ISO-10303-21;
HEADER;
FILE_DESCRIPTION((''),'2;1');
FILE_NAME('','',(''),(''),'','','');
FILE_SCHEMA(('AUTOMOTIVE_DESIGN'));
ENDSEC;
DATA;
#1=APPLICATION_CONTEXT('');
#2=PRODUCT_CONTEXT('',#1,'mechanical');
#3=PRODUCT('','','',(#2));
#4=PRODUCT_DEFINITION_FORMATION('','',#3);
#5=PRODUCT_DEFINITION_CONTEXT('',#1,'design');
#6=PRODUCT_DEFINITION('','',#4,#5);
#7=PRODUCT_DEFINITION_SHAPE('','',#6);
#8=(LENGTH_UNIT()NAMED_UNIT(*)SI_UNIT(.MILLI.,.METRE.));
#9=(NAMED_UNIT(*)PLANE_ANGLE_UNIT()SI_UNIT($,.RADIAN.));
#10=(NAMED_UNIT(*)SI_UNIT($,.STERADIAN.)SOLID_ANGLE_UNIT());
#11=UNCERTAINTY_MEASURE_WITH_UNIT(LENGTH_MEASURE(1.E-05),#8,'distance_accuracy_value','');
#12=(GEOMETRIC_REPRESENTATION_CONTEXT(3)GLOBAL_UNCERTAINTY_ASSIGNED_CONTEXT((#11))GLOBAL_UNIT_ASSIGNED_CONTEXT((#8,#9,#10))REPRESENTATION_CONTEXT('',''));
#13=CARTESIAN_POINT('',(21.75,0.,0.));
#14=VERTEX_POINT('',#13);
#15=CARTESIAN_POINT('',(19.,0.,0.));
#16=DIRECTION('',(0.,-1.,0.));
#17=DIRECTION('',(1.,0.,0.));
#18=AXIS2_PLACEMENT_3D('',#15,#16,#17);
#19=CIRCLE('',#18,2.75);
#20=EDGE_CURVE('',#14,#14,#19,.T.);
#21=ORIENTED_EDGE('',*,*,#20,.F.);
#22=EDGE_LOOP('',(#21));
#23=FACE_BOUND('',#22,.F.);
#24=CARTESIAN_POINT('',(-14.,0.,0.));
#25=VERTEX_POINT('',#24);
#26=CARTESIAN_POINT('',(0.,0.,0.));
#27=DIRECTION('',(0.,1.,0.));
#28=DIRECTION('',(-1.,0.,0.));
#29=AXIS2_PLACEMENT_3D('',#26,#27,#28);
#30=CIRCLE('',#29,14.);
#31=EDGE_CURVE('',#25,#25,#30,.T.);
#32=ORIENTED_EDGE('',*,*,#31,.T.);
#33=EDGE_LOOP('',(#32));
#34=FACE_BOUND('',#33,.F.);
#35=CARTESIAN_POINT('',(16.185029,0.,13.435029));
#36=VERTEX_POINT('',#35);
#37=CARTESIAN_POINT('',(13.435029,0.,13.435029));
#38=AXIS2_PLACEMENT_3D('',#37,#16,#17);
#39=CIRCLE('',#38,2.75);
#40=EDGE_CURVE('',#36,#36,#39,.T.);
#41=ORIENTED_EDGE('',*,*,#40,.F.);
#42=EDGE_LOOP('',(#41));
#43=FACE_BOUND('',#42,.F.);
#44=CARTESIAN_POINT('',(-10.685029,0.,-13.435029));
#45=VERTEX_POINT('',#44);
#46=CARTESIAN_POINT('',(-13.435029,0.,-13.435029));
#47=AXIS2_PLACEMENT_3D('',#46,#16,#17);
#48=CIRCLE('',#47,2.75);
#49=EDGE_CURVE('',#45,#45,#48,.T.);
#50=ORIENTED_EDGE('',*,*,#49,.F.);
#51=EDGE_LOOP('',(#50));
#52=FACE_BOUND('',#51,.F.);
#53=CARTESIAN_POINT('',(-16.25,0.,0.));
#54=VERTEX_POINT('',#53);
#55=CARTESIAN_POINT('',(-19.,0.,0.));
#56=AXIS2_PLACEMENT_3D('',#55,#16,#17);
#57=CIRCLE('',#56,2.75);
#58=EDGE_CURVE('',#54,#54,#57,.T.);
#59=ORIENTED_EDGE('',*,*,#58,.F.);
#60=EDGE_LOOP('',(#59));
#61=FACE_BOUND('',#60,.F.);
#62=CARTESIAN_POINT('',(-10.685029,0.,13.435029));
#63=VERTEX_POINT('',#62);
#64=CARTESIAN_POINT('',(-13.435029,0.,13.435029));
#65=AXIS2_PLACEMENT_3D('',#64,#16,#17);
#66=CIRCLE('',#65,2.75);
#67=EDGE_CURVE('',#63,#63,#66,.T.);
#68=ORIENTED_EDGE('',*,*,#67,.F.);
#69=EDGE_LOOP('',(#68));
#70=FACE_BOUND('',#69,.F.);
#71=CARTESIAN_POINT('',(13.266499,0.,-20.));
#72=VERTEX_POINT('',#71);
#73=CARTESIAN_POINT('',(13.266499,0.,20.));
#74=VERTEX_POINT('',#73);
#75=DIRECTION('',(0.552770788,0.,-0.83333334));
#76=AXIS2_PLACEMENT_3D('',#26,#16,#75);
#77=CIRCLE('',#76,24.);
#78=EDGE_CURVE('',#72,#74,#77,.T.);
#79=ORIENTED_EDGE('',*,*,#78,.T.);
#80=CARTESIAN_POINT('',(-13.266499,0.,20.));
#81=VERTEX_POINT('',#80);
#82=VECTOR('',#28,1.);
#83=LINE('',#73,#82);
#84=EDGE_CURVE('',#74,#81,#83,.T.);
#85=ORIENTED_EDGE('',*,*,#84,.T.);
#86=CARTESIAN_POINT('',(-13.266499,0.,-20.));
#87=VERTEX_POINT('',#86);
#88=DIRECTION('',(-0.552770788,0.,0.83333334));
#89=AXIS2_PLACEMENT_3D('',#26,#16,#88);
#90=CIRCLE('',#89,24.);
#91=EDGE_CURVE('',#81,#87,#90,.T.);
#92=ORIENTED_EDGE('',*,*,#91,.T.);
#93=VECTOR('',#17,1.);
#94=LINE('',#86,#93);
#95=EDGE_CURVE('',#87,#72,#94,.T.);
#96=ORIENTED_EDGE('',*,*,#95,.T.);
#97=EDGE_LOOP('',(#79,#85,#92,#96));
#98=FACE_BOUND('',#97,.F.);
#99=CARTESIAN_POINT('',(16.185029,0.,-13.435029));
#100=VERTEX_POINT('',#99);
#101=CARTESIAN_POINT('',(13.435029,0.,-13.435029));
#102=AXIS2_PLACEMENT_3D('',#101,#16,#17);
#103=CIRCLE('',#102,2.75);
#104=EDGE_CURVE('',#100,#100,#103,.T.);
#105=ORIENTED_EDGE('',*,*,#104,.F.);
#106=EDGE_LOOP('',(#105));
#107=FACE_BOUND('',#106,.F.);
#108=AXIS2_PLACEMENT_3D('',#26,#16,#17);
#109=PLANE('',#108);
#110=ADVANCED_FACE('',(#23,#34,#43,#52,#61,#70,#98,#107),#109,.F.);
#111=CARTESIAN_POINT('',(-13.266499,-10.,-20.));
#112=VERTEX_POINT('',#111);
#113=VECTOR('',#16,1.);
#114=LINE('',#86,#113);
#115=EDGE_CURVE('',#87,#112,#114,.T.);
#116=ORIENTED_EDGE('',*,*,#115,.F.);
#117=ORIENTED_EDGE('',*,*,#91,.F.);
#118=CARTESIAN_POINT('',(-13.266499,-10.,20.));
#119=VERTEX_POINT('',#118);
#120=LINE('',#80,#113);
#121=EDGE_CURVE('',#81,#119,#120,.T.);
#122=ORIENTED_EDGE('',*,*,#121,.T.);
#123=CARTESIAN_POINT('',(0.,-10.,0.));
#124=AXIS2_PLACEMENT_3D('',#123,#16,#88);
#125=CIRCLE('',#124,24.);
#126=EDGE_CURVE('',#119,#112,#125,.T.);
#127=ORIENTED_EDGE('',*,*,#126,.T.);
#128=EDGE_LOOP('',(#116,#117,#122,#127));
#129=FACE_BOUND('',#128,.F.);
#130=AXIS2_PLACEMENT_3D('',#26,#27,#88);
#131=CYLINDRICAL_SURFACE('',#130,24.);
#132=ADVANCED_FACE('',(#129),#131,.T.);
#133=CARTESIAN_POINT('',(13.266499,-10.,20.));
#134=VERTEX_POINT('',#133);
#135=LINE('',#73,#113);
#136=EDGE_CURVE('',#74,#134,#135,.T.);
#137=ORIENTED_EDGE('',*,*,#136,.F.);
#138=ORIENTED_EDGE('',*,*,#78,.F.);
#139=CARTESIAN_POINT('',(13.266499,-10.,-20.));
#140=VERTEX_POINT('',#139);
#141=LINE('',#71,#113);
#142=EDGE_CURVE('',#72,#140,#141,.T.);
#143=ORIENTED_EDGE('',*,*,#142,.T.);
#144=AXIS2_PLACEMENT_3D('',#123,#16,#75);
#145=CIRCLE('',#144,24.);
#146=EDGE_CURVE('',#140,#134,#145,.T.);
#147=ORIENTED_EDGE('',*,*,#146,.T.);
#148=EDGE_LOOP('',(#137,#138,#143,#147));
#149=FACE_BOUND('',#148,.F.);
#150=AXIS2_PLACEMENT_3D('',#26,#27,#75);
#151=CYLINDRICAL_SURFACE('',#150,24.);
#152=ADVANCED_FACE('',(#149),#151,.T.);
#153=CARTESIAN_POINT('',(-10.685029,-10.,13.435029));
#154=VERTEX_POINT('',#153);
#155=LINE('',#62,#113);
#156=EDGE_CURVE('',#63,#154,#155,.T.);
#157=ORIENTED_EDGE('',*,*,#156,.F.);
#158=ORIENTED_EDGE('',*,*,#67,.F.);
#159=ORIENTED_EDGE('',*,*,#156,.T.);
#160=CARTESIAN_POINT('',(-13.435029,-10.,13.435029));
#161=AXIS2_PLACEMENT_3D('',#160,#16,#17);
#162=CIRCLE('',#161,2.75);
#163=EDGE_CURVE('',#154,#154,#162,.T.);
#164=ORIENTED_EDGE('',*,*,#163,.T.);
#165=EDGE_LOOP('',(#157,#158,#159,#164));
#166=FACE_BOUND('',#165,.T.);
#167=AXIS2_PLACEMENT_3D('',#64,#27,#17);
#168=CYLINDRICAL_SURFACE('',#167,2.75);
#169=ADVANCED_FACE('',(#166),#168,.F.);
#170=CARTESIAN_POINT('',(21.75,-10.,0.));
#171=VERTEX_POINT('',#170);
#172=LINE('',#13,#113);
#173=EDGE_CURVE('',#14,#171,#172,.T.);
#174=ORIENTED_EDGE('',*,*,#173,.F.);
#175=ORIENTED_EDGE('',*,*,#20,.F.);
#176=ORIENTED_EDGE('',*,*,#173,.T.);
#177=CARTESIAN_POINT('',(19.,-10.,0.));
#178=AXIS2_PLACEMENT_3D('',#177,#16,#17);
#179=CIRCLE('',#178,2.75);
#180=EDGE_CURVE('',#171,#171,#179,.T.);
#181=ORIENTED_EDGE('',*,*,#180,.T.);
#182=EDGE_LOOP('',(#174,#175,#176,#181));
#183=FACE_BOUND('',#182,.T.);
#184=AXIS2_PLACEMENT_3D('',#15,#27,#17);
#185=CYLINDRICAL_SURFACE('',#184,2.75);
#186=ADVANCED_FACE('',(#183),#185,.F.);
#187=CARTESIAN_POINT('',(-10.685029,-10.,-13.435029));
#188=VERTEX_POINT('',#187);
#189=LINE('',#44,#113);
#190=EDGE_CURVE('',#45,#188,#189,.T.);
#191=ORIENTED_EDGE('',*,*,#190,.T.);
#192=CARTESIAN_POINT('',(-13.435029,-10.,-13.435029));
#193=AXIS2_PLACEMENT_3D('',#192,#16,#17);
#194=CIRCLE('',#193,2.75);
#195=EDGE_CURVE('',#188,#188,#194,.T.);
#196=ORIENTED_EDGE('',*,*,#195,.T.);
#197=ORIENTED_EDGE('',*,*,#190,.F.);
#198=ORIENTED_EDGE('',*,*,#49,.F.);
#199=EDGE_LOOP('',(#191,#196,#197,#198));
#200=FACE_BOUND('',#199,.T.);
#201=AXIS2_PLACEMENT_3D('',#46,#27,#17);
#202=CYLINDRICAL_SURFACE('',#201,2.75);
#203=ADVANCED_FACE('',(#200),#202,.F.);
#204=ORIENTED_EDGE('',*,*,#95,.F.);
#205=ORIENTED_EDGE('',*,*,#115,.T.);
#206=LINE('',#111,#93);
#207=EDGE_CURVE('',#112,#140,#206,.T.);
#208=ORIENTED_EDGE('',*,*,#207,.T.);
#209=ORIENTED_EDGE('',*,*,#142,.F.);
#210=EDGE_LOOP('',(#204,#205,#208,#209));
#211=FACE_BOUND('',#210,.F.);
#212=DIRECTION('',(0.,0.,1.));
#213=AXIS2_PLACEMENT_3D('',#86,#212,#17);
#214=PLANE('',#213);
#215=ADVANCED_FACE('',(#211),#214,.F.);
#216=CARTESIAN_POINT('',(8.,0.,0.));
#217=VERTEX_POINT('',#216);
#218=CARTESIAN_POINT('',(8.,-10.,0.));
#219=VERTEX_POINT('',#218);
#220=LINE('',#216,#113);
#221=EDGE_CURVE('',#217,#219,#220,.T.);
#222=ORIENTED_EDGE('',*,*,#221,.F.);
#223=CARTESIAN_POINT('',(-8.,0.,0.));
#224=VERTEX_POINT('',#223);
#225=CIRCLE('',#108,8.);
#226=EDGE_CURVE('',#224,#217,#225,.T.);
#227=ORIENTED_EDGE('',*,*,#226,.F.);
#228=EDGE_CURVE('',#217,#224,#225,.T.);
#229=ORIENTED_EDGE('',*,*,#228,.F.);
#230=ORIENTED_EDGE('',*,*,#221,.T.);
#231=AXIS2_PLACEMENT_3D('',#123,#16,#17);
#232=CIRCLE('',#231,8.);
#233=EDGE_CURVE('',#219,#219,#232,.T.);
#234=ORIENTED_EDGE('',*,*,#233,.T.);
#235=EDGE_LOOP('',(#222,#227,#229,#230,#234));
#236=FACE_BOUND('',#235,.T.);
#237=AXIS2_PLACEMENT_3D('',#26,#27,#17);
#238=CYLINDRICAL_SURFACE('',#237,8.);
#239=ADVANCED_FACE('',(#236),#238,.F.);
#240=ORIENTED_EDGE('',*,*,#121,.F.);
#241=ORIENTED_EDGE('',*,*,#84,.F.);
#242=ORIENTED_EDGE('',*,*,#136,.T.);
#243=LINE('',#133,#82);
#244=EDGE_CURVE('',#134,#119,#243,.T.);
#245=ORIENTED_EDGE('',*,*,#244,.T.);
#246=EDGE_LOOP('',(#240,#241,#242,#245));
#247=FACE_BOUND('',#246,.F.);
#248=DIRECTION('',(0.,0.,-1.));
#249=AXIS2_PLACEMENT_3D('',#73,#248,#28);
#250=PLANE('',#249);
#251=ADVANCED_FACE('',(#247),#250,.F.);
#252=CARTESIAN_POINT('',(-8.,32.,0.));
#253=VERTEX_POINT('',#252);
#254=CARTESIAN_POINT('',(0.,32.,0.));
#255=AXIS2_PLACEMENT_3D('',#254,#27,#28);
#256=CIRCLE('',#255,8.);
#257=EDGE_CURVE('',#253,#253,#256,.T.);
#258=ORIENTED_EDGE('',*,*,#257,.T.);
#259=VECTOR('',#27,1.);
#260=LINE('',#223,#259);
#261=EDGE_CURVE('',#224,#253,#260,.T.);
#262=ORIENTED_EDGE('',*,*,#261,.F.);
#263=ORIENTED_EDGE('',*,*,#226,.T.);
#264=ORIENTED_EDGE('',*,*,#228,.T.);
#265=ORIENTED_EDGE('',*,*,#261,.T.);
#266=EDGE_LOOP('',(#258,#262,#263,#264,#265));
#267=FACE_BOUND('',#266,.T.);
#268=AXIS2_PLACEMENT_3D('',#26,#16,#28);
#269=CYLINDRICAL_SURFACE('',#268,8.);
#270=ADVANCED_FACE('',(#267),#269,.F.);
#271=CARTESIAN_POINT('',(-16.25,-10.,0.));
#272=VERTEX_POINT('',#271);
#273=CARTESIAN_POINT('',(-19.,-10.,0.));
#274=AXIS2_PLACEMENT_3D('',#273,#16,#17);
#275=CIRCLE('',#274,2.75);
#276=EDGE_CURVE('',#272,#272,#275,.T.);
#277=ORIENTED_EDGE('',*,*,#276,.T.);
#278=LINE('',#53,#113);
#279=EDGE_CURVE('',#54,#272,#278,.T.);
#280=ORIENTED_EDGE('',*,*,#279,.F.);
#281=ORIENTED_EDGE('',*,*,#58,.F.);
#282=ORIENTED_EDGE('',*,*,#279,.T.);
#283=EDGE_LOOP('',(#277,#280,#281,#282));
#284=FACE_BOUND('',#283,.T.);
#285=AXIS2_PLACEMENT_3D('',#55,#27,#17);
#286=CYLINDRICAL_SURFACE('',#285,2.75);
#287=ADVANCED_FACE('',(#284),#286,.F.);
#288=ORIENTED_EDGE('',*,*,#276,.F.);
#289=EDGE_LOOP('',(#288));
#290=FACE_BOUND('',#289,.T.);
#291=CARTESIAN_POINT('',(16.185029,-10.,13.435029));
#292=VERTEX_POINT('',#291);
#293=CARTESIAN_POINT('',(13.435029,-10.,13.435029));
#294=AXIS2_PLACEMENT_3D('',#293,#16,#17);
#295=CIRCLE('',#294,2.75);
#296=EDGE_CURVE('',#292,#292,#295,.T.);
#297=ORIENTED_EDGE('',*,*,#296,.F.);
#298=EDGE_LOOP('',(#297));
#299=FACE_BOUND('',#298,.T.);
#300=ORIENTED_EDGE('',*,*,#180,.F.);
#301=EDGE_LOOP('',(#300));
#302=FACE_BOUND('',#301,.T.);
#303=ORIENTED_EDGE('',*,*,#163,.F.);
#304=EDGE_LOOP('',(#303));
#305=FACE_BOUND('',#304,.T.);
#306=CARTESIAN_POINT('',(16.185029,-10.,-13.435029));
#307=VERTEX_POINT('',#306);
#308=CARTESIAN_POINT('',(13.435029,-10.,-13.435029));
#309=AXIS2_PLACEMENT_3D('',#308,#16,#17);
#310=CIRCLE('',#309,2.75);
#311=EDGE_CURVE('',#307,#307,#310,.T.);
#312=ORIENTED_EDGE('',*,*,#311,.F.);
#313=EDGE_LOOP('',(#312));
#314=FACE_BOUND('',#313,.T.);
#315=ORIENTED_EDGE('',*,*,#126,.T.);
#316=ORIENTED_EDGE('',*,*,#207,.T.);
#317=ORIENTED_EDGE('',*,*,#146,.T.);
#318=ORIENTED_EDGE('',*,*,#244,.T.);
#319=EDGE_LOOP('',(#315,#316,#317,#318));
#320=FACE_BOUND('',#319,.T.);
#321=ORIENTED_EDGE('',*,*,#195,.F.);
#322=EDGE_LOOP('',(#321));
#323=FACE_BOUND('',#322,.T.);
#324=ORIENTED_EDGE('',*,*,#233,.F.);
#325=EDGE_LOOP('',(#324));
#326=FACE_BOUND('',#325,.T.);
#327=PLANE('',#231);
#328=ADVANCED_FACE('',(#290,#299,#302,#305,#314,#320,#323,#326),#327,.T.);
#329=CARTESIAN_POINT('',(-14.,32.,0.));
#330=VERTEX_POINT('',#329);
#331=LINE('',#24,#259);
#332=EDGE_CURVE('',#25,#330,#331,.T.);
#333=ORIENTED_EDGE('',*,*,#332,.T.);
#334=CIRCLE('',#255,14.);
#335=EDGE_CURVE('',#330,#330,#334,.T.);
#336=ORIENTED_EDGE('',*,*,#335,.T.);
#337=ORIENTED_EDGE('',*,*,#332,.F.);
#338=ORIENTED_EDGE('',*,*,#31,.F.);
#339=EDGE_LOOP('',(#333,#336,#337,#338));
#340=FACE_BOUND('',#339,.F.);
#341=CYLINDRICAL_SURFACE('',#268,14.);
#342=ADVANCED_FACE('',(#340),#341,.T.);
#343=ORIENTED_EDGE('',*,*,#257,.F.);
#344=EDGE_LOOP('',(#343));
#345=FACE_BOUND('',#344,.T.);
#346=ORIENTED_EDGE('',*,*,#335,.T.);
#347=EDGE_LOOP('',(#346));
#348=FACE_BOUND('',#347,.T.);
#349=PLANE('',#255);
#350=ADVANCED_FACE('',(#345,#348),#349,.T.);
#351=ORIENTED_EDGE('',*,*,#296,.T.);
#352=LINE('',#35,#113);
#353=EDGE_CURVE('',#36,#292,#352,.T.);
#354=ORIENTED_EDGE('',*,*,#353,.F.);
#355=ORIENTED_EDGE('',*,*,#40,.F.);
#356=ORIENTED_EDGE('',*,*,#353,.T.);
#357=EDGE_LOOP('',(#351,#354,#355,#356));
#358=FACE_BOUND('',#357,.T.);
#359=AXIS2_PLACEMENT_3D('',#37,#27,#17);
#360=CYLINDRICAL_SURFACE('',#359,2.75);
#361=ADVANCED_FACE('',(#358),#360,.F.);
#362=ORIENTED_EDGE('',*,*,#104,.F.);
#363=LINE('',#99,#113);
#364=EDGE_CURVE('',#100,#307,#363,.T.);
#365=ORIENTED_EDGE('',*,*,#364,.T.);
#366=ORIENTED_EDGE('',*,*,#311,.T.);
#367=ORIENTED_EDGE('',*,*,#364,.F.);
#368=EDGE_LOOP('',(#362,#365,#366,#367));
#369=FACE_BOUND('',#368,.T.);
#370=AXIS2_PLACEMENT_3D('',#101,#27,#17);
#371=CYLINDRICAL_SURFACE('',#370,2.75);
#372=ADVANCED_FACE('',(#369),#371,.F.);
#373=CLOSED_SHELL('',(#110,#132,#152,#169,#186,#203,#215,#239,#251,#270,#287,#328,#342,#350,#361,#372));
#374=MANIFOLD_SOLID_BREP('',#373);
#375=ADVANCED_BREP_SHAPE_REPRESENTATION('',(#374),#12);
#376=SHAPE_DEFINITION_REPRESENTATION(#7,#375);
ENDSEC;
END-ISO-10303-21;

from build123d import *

# Parameters (mm, degrees)
F0_R     = 2.75
F0_R_2   = 8
F1_DEPTH = 10
F2_R     = 14
F2_R_2   = 8
F3_DEPTH = 32


with BuildPart() as f1:
    # F0 (on Front) → F1 (new body)
    with BuildSketch(Plane.XZ):
        with BuildLine():
            Line((13.266499, 20), (-13.266499, 20))
            ThreePointArc((-13.266499, 20), (-24, 0), (-13.266499, -20))
            Line((-13.266499, -20), (13.266499, -20))
            ThreePointArc((13.266499, -20), (24, 0), (13.266499, 20))
        make_face()
        with Locations((-13.435029, -13.435029)):
            Circle(F0_R, mode=Mode.SUBTRACT)
        with Locations((-19, 0)):
            Circle(F0_R, mode=Mode.SUBTRACT)
        with Locations((13.435029, -13.435029)):
            Circle(F0_R, mode=Mode.SUBTRACT)
        Circle(F0_R_2, mode=Mode.SUBTRACT)
        with Locations((19, 0)):
            Circle(F0_R, mode=Mode.SUBTRACT)
        with Locations((-13.435029, 13.435029)):
            Circle(F0_R, mode=Mode.SUBTRACT)
        with Locations((13.435029, 13.435029)):
            Circle(F0_R, mode=Mode.SUBTRACT)
    extrude(amount=F1_DEPTH)

    # F2 (on face) → F3 (join)
    with BuildSketch(Plane(origin=(0, 0, 0), x_dir=(-1, 0, 0), z_dir=(0, 1, 0))):
        Circle(F2_R)
        Circle(F2_R_2, mode=Mode.SUBTRACT)
    extrude(amount=F3_DEPTH)


solid = f1.part
